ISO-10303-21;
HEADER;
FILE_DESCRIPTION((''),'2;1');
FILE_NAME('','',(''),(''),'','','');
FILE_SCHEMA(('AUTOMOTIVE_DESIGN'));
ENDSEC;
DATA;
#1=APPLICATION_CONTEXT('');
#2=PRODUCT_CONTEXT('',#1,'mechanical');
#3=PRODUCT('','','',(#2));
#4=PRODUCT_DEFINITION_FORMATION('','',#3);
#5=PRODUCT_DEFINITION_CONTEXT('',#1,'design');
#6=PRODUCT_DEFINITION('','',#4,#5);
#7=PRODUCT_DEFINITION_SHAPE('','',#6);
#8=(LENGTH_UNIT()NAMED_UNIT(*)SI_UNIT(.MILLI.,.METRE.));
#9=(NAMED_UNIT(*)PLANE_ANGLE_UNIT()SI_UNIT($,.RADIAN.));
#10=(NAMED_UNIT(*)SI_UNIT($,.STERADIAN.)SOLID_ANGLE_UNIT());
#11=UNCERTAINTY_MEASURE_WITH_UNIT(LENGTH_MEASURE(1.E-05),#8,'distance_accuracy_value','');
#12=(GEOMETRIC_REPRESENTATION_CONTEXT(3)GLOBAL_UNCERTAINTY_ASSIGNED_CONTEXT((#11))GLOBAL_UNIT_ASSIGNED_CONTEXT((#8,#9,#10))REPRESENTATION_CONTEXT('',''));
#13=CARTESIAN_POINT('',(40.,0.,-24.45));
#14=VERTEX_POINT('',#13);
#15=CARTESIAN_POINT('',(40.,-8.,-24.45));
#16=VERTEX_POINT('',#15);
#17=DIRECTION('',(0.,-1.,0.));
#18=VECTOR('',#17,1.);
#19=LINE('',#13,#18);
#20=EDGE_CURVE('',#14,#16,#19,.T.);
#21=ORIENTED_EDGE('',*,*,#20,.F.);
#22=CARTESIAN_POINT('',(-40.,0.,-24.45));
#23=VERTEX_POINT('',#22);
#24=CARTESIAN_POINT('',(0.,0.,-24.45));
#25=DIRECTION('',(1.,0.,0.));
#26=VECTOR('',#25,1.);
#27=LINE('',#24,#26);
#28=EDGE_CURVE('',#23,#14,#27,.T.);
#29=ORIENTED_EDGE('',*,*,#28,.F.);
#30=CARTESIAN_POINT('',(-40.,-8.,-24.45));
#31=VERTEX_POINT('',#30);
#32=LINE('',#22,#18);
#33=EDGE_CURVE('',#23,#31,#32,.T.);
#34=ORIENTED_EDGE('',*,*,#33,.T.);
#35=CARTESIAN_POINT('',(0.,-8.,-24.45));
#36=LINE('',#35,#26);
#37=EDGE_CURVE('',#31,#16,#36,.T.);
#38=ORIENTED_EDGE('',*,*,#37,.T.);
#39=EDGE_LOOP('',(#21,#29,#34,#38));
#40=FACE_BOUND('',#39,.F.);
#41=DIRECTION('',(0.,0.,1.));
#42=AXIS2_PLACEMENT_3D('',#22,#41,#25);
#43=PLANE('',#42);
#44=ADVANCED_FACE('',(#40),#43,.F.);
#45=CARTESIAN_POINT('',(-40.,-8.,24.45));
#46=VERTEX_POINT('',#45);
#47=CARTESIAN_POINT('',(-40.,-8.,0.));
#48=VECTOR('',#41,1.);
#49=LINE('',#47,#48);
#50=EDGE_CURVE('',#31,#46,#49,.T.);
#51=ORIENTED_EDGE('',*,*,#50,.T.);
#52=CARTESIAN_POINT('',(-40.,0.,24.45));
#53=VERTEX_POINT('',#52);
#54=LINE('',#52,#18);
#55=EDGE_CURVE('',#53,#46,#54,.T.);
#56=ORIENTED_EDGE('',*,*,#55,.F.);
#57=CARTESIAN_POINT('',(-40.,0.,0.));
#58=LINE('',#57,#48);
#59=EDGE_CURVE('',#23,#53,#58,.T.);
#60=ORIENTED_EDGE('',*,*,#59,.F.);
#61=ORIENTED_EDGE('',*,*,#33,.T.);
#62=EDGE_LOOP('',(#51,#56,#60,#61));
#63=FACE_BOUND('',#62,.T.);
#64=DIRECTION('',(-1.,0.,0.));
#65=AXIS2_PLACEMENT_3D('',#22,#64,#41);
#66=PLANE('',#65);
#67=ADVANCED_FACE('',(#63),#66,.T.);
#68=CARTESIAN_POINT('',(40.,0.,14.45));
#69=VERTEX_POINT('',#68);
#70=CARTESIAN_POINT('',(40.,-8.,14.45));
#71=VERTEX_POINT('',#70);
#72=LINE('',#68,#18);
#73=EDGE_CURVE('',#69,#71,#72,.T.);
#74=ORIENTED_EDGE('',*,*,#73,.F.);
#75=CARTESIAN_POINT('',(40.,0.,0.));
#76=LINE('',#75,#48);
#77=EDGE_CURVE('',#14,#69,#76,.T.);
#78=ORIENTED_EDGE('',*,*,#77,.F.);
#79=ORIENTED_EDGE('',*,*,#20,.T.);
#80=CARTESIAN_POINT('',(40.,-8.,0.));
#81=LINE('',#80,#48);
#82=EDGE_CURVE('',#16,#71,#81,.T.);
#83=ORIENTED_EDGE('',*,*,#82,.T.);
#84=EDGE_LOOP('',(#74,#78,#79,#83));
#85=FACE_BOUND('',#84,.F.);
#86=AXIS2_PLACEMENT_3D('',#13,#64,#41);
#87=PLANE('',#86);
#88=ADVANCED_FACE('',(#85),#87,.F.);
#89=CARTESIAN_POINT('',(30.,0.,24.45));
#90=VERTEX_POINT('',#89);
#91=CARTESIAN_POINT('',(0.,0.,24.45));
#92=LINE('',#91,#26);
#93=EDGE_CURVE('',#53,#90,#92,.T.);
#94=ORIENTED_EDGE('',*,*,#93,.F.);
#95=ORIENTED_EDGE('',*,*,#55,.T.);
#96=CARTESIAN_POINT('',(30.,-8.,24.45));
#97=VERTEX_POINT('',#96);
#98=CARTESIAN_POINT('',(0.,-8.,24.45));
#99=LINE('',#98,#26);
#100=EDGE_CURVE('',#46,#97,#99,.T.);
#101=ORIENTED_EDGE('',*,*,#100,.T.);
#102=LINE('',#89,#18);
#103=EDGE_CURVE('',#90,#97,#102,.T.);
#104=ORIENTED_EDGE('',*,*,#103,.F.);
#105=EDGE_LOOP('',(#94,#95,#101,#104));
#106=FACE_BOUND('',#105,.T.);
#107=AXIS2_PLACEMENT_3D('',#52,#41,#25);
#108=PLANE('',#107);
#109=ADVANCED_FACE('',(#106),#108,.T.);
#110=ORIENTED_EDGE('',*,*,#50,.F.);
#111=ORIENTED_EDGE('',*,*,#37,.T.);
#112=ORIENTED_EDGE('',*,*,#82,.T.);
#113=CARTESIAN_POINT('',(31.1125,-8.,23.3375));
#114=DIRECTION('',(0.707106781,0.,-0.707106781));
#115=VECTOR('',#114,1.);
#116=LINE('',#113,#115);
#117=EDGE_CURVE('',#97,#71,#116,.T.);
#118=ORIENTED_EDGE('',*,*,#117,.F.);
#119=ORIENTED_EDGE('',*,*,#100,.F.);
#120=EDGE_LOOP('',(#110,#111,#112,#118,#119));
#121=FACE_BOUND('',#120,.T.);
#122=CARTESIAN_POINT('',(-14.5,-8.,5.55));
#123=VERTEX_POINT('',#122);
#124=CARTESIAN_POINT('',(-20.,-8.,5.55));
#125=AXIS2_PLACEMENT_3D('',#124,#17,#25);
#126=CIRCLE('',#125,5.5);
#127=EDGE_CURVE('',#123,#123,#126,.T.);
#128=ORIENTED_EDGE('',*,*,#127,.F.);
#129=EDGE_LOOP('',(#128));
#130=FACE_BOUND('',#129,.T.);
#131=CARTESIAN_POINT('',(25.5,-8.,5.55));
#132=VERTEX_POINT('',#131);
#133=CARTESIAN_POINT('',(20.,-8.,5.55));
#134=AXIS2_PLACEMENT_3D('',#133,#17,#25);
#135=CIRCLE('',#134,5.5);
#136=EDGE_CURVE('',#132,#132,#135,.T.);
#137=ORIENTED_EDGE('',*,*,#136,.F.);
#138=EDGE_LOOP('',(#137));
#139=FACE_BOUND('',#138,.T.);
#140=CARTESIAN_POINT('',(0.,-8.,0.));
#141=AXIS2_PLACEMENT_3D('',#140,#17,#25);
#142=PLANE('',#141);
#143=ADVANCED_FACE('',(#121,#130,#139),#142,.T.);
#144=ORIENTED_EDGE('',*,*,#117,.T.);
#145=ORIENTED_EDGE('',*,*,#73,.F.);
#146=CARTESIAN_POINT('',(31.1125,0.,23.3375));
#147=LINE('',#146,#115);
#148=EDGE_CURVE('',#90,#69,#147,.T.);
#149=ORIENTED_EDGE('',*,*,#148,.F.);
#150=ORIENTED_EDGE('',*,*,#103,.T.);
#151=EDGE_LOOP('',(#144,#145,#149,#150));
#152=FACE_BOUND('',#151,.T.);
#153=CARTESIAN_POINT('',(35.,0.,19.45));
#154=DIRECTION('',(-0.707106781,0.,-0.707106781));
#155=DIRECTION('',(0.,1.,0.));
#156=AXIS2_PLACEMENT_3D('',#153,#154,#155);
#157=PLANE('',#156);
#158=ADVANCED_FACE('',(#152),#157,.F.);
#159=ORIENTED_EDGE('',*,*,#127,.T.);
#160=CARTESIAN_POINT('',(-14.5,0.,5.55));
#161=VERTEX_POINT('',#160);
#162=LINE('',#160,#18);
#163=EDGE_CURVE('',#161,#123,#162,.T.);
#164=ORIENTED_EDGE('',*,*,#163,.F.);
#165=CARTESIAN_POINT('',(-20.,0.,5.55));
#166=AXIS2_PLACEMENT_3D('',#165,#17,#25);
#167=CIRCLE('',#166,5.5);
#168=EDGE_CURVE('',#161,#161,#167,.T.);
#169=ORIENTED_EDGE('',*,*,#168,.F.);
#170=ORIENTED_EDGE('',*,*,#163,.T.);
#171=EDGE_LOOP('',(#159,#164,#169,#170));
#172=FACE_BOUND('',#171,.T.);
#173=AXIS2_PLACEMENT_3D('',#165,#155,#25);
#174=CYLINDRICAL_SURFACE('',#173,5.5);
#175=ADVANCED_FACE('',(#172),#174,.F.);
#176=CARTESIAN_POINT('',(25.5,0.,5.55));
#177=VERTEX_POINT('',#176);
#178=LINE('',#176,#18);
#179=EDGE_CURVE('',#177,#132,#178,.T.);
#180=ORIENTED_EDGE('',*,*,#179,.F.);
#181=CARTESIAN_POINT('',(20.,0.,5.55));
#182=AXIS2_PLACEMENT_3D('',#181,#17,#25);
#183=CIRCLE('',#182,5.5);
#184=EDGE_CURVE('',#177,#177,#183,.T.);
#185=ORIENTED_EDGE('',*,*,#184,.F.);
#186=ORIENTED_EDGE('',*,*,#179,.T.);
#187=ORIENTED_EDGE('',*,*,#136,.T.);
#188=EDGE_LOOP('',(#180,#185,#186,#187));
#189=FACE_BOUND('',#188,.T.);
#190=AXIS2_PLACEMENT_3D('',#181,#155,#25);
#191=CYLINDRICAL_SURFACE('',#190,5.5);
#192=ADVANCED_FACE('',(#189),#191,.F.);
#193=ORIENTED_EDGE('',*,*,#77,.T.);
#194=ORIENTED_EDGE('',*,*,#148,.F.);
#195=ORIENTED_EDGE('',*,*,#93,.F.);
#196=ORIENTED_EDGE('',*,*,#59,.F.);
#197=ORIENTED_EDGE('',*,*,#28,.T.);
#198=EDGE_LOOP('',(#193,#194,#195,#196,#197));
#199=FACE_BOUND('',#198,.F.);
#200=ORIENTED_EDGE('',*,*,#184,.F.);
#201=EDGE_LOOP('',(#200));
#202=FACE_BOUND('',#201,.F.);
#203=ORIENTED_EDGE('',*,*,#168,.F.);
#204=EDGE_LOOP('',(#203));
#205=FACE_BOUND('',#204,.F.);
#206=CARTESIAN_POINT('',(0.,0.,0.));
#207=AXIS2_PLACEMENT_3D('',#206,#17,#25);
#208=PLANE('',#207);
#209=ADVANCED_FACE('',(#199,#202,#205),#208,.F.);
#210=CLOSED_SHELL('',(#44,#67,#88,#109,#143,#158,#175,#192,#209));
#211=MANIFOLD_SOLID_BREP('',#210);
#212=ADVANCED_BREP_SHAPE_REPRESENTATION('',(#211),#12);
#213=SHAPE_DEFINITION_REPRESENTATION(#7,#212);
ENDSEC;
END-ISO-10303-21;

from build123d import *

# Parameters (mm, degrees)
F0_W     = 80
F0_H     = 48.9
F0_R     = 5.5
F1_DEPTH = 8
F2_SIZE  = 10


with BuildPart() as f1:
    # F0 (on Front) → F1 (new body)
    with BuildSketch(Plane.XZ):
        Rectangle(F0_W, F0_H)
        with Locations((-20, 5.55)):
            Circle(F0_R, mode=Mode.SUBTRACT)
        with Locations((20, 5.55)):
            Circle(F0_R, mode=Mode.SUBTRACT)
    extrude(amount=F1_DEPTH)

    # F2
    f2_edges = [f1.edges().sort_by_distance(p)[0] for p in [
        (40, -4, 24.45),
    ]]
    chamfer(f2_edges, length=F2_SIZE)


solid = f1.part
